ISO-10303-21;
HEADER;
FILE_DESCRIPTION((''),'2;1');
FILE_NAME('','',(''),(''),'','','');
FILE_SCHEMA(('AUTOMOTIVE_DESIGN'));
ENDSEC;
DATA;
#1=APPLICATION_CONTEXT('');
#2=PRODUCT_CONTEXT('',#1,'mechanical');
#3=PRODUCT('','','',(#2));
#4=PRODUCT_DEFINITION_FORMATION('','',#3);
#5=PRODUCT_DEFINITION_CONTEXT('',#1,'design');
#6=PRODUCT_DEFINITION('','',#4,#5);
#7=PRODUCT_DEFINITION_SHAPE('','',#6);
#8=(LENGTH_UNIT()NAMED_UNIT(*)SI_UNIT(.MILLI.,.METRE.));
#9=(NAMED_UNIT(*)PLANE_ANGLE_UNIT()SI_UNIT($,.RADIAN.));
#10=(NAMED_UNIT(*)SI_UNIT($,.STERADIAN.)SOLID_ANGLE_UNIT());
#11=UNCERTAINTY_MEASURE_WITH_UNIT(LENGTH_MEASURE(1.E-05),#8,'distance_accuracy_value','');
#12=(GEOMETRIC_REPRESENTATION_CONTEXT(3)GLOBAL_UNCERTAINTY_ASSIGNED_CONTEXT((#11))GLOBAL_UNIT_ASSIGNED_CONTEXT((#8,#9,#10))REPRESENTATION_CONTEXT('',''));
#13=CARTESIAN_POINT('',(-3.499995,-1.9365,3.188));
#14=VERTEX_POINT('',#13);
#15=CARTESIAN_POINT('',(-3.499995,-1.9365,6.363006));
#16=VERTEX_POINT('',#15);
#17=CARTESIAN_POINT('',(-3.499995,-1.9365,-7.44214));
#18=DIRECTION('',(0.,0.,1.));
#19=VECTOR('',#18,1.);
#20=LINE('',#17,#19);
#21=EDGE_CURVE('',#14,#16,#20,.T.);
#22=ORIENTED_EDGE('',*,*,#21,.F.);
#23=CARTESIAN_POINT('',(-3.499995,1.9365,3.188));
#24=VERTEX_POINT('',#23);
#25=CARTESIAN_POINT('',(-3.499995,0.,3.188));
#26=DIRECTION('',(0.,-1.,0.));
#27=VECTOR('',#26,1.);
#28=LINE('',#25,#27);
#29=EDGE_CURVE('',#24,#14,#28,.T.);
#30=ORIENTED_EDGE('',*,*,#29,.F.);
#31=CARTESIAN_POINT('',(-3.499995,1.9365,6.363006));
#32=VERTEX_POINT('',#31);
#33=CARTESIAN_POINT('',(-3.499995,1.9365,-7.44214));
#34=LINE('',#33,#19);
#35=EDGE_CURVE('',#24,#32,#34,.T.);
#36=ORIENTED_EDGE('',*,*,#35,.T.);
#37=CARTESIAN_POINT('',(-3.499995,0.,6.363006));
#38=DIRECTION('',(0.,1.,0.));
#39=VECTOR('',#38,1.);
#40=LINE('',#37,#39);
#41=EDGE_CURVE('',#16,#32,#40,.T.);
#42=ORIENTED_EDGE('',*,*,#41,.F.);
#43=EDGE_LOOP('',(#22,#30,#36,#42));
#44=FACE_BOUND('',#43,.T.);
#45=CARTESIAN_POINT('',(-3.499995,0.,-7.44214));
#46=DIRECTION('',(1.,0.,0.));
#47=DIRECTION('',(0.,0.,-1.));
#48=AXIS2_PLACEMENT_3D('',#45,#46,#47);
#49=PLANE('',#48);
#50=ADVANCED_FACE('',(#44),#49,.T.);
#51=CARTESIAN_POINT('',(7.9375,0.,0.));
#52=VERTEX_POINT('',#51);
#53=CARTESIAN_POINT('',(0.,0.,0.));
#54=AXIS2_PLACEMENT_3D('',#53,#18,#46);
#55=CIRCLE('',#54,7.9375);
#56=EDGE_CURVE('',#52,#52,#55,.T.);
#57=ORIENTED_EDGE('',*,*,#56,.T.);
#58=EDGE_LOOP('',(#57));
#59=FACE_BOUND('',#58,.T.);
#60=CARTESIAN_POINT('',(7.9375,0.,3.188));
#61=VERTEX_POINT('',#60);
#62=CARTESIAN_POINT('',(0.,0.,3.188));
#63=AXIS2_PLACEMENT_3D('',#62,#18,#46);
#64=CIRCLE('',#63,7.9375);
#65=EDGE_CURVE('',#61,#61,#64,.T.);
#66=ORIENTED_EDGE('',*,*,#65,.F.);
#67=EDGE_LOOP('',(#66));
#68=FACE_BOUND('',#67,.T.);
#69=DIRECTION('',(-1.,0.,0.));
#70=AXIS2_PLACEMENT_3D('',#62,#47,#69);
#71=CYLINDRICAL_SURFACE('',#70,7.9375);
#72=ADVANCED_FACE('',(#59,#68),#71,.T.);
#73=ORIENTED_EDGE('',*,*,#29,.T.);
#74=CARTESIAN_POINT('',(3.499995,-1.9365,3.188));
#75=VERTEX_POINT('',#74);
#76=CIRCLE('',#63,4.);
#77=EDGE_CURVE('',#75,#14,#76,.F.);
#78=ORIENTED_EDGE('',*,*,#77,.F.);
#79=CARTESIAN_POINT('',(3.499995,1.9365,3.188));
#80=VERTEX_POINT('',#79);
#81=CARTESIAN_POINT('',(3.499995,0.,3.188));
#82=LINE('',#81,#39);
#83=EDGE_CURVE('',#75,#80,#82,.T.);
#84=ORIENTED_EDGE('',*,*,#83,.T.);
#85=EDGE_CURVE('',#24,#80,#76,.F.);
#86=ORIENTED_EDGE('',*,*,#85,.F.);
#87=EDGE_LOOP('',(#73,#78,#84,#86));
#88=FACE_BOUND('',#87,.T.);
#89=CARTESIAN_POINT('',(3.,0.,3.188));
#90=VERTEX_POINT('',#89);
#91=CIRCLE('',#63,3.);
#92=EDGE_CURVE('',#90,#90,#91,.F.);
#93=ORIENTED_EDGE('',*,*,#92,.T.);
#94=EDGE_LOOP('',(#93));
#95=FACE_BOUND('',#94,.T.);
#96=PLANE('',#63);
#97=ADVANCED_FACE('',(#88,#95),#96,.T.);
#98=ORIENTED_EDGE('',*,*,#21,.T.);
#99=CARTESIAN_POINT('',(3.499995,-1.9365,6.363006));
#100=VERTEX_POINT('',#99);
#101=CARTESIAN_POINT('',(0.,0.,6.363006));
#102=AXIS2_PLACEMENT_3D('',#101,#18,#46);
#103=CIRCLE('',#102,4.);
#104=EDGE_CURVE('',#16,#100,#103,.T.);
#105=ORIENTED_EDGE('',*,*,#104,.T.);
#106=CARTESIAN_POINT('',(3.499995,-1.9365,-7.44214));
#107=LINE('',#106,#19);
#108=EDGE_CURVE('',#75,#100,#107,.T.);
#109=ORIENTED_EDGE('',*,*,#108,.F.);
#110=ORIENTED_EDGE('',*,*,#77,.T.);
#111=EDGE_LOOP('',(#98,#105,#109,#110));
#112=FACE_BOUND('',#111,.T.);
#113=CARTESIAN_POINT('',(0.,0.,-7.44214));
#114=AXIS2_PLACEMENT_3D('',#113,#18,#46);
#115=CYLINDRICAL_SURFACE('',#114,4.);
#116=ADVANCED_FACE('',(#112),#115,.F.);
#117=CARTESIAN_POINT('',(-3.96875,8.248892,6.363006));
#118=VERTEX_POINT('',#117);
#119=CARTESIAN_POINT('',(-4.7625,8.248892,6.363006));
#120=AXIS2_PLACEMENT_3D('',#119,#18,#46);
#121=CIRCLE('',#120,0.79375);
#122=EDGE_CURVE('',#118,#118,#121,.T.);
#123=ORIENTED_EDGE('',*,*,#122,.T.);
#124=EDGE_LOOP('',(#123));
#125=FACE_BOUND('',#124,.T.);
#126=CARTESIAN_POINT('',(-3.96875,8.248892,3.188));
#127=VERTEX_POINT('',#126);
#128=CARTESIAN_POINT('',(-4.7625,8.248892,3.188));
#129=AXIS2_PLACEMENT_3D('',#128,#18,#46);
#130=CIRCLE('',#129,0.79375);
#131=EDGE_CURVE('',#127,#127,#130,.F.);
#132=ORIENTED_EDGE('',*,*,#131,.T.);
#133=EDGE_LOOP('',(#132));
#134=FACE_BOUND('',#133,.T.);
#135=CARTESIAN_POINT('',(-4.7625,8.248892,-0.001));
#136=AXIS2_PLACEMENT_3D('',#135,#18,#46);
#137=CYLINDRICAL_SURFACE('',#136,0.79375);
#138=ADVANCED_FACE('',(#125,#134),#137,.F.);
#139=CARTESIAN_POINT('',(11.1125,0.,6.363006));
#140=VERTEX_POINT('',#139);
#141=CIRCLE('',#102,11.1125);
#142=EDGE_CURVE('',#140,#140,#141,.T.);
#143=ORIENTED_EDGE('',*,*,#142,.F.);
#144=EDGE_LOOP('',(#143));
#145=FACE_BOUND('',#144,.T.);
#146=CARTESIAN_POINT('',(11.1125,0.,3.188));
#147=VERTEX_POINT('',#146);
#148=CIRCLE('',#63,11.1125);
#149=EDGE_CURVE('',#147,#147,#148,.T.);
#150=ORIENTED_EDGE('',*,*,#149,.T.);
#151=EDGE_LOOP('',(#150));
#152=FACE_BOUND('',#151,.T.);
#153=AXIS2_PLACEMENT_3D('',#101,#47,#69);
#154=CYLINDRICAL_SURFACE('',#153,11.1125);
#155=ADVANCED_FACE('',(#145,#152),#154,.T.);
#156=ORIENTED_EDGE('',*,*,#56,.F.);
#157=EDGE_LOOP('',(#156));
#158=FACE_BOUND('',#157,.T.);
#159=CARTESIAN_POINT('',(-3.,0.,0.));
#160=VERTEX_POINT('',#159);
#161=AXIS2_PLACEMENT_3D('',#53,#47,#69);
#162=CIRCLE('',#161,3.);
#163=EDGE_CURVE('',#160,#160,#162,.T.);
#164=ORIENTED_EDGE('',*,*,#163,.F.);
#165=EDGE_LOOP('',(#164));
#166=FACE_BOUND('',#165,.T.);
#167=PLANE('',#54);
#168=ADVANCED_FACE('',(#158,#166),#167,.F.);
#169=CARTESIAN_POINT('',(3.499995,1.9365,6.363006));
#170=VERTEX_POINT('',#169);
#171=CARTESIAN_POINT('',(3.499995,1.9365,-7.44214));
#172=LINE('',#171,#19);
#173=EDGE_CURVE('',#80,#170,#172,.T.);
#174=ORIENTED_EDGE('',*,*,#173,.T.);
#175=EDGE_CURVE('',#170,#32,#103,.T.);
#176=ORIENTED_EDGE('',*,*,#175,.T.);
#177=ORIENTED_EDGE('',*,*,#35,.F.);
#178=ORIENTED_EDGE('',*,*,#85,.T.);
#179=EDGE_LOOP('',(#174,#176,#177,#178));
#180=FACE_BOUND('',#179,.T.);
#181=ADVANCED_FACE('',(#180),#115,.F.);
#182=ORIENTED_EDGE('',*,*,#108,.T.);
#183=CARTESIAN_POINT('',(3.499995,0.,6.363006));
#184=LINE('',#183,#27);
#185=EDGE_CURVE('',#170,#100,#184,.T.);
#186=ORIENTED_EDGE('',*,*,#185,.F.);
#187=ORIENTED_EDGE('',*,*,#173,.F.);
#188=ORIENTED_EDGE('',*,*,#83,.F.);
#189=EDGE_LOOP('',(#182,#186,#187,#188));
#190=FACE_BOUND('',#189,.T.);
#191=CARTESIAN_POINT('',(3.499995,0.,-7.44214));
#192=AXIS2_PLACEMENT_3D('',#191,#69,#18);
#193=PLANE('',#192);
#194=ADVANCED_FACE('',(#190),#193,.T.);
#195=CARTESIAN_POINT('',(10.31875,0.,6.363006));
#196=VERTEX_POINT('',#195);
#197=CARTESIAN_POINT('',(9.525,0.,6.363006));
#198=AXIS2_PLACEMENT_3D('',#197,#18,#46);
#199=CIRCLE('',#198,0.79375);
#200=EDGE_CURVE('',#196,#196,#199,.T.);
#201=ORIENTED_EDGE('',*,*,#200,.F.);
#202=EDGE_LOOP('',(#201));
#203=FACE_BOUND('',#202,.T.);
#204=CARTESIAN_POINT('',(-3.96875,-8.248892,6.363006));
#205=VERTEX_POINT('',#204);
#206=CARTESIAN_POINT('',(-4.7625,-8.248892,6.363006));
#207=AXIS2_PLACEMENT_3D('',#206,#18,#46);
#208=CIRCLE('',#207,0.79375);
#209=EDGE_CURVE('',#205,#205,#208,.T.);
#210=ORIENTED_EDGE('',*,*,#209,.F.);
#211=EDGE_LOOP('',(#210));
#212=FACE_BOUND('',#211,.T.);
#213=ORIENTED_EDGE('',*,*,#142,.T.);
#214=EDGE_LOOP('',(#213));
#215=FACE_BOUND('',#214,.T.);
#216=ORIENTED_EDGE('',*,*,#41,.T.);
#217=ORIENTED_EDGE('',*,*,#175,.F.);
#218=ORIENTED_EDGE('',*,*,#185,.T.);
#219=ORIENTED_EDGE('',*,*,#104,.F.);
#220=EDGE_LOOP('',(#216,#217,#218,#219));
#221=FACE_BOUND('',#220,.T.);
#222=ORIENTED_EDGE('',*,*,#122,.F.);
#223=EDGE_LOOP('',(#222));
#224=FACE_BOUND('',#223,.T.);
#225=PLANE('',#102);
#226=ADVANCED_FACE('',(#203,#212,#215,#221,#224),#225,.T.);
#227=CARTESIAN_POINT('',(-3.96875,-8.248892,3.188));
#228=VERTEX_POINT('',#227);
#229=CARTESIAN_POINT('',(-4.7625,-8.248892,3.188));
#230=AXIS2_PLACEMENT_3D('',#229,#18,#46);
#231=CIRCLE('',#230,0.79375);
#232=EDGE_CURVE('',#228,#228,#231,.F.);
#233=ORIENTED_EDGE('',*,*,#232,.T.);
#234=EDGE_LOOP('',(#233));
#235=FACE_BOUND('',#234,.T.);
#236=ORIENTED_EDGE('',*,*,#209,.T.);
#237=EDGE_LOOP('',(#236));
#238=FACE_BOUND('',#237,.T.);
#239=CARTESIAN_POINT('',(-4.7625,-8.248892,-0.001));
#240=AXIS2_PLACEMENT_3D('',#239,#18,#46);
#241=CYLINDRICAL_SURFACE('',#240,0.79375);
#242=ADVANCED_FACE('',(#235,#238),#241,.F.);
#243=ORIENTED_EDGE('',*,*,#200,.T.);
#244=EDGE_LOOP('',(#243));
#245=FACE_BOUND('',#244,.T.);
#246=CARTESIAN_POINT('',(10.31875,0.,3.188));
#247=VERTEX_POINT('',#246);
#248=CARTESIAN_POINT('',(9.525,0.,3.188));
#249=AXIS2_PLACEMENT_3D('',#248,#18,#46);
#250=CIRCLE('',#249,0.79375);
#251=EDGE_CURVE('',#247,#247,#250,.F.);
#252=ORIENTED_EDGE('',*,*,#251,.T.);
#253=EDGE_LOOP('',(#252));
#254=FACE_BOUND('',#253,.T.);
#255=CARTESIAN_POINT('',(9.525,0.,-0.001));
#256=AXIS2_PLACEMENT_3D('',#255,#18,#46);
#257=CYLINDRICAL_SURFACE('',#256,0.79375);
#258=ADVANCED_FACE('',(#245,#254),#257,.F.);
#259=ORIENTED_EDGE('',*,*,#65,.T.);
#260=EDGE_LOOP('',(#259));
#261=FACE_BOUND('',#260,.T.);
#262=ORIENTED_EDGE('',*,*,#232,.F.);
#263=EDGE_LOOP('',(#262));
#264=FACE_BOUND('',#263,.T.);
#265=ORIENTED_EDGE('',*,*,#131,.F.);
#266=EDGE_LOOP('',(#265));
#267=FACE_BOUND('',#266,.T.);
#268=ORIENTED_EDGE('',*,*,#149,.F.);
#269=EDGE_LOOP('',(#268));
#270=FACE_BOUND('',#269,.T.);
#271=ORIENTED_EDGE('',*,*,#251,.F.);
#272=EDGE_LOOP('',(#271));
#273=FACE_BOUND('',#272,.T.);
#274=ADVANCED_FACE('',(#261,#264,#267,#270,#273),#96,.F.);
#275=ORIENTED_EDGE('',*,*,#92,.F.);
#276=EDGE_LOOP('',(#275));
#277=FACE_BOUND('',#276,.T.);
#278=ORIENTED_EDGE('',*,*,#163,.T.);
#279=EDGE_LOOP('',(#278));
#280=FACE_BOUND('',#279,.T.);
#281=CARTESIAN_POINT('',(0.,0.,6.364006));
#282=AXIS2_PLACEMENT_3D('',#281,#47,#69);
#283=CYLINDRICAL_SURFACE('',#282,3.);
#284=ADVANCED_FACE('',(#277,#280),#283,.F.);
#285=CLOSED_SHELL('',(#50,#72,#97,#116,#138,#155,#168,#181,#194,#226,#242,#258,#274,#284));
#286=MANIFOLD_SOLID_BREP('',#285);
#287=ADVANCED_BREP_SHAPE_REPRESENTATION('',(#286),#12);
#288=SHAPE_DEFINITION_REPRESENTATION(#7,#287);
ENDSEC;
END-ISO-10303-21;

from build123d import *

# Parameters (mm, degrees)
SKETCH1_R           = 7.9375
BOSS_EXTRUDE1_DEPTH = 3.188
SKETCH2_R           = 11.1125
BOSS_EXTRUDE2_DEPTH = 3.17500635
CUT_EXTRUDE2_DEPTH  = 3.17500635
CUT_EXTRUDE3_REACH  = 18.955
SKETCH4_R           = 3
CUT_EXTRUDE5_REACH  = 18.955
SKETCH5_R           = 0.79375


with BuildPart() as part:
    # Sketch1 → Boss-Extrude1 (new body)
    with BuildSketch(Plane.XY):
        Circle(SKETCH1_R)
    extrude(amount=BOSS_EXTRUDE1_DEPTH)

    # Sketch2 → Boss-Extrude2 (add)
    with BuildSketch(Plane.XY.offset(3.188)):
        Circle(SKETCH2_R)
    extrude(amount=BOSS_EXTRUDE2_DEPTH)

    # Sketch3 → Cut-Extrude2 (cut)
    with BuildSketch(Plane.XY.offset(6.36300635)):
        with BuildLine():
            Line((3.499995393, -1.9365), (3.499995393, 1.9365))
            ThreePointArc((3.499995393, 1.9365), (0, 4), (-3.499995393, 1.9365))
            Line((-3.499995393, 1.9365), (-3.499995393, -1.9365))
            ThreePointArc((-3.499995393, -1.9365), (0, -4), (3.499995393, -1.9365))
        make_face()
    extrude(amount=-CUT_EXTRUDE2_DEPTH, mode=Mode.SUBTRACT)

    # Sketch4 → Cut-Extrude3 (cut, up to next)
    with BuildSketch(Plane(origin=(0, 0, 0), x_dir=(-1, 0, 0), z_dir=(0, 0, -1)), mode=Mode.PRIVATE) as cut_extrude3_sk1:
        Circle(SKETCH4_R)
    cut_extrude3_tool1 = extrude(cut_extrude3_sk1.sketch, amount=-CUT_EXTRUDE3_REACH, mode=Mode.PRIVATE) & part.part
    add(cut_extrude3_tool1.solids().sort_by_distance((0, 0, 0))[0], mode=Mode.SUBTRACT)

    # Sketch5 → Cut-Extrude5 (cut, up to next)
    with BuildSketch(Plane.XY.offset(6.36300635), mode=Mode.PRIVATE) as cut_extrude5_sk1:
        with Locations((-4.7625, 8.248891971)):
            Circle(SKETCH5_R)
    cut_extrude5_tool1 = extrude(cut_extrude5_sk1.sketch, amount=-CUT_EXTRUDE5_REACH, mode=Mode.PRIVATE) & part.part
    # Sketch5 → Cut-Extrude5 (cut, up to next)
    with BuildSketch(Plane.XY.offset(6.36300635), mode=Mode.PRIVATE) as cut_extrude5_sk2:
        with Locations((-4.7625, -8.248891971)):
            Circle(SKETCH5_R)
    cut_extrude5_tool2 = extrude(cut_extrude5_sk2.sketch, amount=-CUT_EXTRUDE5_REACH, mode=Mode.PRIVATE) & part.part
    # Sketch5 → Cut-Extrude5 (cut, up to next)
    with BuildSketch(Plane.XY.offset(6.36300635), mode=Mode.PRIVATE) as cut_extrude5_sk3:
        with Locations((9.525, 0)):
            Circle(SKETCH5_R)
    cut_extrude5_tool3 = extrude(cut_extrude5_sk3.sketch, amount=-CUT_EXTRUDE5_REACH, mode=Mode.PRIVATE) & part.part
    add(cut_extrude5_tool1.solids().sort_by_distance((-4.7625, 8.248892, 6.363006))[0], mode=Mode.SUBTRACT)
    add(cut_extrude5_tool2.solids().sort_by_distance((-4.7625, -8.248892, 6.363006))[0], mode=Mode.SUBTRACT)
    add(cut_extrude5_tool3.solids().sort_by_distance((9.525, 0, 6.363006))[0], mode=Mode.SUBTRACT)


solid = part.part
